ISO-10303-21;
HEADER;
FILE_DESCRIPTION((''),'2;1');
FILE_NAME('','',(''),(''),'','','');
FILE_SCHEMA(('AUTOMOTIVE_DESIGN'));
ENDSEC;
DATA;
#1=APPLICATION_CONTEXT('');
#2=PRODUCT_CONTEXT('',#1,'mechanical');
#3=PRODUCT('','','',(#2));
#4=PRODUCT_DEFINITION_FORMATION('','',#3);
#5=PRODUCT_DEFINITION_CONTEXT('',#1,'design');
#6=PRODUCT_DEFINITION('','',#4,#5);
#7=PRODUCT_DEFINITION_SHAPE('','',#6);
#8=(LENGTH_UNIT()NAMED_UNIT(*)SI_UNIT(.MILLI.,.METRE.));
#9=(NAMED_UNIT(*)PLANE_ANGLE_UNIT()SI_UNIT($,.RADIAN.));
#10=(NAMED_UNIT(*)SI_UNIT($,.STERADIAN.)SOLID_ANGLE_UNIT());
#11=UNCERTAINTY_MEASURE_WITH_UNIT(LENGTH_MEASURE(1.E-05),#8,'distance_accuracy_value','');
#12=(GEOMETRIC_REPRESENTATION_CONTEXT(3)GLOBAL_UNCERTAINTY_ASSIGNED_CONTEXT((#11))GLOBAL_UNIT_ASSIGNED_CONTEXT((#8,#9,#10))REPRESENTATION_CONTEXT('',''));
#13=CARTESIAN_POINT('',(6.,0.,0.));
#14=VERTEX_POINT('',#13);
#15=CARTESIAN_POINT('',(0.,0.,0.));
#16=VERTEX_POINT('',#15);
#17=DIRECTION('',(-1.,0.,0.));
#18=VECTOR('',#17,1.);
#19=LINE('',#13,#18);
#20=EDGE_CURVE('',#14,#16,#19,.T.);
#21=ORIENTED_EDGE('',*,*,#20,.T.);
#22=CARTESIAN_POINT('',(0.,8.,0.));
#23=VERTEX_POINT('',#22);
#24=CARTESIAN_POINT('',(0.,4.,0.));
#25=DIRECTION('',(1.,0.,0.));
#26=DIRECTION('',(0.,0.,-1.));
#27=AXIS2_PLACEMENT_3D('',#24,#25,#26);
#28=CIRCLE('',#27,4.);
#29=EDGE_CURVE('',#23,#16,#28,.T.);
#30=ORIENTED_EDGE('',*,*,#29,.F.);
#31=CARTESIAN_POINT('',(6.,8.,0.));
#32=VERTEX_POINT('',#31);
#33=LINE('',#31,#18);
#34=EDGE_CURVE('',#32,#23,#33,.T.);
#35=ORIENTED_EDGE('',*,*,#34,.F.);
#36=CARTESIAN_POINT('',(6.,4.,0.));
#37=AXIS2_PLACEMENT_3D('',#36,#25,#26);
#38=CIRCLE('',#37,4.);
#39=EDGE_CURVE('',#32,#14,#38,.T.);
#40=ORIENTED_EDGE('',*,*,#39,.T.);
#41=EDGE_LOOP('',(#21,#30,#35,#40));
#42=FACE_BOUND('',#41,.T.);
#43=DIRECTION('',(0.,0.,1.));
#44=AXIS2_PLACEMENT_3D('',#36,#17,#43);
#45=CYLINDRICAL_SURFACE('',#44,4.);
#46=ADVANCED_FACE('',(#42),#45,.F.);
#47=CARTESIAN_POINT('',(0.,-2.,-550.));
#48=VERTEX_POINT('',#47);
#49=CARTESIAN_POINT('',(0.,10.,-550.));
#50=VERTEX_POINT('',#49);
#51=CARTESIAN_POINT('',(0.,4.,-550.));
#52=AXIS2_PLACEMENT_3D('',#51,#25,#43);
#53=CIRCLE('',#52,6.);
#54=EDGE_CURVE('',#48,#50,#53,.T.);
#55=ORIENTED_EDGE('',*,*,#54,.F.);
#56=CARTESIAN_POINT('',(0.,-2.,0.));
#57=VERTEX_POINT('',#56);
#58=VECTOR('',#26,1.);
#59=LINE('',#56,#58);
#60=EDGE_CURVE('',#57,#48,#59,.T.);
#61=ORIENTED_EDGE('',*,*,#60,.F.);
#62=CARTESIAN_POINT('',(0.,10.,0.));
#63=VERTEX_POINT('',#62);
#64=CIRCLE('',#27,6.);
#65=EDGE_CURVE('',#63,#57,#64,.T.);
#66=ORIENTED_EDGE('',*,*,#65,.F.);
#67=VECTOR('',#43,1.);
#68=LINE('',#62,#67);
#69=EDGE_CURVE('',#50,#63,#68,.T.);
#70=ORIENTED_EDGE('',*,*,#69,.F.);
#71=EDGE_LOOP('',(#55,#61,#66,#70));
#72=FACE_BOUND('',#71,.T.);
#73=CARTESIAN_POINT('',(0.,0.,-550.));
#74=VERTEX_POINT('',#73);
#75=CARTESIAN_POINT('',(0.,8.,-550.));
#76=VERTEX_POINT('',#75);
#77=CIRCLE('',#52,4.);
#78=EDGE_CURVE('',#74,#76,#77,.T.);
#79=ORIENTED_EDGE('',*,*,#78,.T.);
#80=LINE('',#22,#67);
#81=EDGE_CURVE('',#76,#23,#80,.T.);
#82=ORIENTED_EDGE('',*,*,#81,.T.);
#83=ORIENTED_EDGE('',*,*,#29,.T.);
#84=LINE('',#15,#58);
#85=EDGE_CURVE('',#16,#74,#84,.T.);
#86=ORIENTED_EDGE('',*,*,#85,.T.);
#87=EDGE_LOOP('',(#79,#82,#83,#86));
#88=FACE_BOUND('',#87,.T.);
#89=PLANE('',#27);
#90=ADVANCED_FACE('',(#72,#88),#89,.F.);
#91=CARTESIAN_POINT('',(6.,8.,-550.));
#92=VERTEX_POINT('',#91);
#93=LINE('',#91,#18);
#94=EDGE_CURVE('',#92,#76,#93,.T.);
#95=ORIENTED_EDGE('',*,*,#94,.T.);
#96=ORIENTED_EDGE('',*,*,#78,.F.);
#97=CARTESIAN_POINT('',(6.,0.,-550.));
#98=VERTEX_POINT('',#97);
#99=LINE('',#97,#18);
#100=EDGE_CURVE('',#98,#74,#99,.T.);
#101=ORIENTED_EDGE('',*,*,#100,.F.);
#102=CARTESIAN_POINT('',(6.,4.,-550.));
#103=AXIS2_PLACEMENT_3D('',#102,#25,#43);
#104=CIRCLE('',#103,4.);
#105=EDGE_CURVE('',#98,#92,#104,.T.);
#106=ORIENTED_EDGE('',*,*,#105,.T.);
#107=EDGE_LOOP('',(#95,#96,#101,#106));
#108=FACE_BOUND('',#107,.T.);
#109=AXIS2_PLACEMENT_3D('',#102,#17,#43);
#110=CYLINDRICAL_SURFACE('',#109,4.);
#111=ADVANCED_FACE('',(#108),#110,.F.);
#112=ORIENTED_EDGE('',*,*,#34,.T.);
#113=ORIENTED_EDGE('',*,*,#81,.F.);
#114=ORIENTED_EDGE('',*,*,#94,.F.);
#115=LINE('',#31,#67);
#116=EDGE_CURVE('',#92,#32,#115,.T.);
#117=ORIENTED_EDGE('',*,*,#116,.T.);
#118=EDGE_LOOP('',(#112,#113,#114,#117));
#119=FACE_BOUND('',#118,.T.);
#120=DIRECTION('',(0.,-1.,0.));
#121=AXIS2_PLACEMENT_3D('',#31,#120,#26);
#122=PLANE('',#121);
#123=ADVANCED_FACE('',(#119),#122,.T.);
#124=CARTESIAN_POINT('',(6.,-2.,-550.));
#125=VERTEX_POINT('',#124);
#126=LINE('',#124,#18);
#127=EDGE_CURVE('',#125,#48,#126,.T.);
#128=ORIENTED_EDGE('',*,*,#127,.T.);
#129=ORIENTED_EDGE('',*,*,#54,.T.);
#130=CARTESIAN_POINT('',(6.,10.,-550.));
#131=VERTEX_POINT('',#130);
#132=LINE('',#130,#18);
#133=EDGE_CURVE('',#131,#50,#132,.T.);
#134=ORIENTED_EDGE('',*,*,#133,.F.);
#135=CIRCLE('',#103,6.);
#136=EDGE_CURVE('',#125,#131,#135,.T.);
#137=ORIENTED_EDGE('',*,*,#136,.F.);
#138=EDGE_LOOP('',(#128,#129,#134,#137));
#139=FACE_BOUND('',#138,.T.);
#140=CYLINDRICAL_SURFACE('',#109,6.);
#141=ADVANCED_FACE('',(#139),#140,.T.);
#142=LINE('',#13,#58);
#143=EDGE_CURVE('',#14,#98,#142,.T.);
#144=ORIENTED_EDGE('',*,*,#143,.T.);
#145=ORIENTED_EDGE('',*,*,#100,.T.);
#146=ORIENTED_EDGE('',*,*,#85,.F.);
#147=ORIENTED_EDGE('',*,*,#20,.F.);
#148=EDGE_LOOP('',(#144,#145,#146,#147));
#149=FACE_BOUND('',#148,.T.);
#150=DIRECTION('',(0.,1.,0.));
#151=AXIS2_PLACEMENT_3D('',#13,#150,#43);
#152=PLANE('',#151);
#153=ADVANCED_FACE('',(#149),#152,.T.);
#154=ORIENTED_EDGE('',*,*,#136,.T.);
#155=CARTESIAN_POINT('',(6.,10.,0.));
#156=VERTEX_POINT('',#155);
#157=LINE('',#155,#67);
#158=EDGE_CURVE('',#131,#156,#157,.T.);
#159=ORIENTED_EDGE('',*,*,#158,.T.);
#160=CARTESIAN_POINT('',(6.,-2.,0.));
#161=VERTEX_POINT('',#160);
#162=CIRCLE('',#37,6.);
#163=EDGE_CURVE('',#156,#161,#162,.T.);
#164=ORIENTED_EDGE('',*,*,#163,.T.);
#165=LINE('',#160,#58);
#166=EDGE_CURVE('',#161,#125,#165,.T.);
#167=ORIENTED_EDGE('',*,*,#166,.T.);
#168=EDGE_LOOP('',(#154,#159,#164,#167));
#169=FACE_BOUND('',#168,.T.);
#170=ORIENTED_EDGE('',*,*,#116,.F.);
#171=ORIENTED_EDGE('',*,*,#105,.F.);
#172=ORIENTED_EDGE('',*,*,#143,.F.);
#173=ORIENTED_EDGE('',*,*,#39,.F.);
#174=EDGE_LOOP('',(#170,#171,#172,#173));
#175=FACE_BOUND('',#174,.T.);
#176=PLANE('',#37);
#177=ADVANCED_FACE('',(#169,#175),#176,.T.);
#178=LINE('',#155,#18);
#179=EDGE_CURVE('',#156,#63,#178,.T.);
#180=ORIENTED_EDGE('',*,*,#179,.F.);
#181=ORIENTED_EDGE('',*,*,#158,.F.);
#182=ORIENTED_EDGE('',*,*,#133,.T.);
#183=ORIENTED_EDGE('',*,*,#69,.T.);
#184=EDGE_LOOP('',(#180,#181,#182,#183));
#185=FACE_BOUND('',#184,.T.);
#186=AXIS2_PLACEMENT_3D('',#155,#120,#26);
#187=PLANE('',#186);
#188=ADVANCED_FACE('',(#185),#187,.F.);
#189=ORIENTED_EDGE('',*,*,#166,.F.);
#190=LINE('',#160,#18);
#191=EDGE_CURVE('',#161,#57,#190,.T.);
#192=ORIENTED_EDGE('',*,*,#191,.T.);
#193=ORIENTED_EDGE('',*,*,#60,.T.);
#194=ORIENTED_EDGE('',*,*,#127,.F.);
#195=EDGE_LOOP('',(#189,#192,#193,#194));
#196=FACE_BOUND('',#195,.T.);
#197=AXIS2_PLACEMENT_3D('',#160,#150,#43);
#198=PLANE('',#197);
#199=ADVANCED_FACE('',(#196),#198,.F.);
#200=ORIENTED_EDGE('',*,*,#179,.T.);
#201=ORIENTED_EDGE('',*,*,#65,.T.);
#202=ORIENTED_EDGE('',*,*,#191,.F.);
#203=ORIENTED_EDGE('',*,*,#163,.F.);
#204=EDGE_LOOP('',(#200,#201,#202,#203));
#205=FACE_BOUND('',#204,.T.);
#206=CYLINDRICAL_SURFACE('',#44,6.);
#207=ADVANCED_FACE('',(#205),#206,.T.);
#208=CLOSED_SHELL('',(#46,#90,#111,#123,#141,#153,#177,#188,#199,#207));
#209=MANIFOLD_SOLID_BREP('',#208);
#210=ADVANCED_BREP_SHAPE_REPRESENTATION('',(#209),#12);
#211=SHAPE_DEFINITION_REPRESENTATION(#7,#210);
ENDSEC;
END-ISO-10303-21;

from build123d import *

# Parameters (mm, degrees)
EXTRUDE_1_DEPTH = 6


with BuildPart() as part:
    # 草图1 → 凸台-拉伸1 (new body)
    with BuildSketch(Plane(origin=(0, 0, 0), x_dir=(0, 0, -1), z_dir=(1, 0, 0))):
        with BuildLine():
            Line((0, 10), (550, 10))
            ThreePointArc((550, 10), (556, 4), (550, -2))
            Line((550, -2), (0, -2))
            ThreePointArc((0, -2), (-6, 4), (0, 10))
        make_face()
        with BuildLine():
            Line((0, 0), (550, 0))
            ThreePointArc((550, 0), (554, 4), (550, 8))
            Line((550, 8), (0, 8))
            ThreePointArc((0, 8), (-4, 4), (0, 0))
        make_face(mode=Mode.SUBTRACT)
    extrude(amount=EXTRUDE_1_DEPTH)


solid = part.part
